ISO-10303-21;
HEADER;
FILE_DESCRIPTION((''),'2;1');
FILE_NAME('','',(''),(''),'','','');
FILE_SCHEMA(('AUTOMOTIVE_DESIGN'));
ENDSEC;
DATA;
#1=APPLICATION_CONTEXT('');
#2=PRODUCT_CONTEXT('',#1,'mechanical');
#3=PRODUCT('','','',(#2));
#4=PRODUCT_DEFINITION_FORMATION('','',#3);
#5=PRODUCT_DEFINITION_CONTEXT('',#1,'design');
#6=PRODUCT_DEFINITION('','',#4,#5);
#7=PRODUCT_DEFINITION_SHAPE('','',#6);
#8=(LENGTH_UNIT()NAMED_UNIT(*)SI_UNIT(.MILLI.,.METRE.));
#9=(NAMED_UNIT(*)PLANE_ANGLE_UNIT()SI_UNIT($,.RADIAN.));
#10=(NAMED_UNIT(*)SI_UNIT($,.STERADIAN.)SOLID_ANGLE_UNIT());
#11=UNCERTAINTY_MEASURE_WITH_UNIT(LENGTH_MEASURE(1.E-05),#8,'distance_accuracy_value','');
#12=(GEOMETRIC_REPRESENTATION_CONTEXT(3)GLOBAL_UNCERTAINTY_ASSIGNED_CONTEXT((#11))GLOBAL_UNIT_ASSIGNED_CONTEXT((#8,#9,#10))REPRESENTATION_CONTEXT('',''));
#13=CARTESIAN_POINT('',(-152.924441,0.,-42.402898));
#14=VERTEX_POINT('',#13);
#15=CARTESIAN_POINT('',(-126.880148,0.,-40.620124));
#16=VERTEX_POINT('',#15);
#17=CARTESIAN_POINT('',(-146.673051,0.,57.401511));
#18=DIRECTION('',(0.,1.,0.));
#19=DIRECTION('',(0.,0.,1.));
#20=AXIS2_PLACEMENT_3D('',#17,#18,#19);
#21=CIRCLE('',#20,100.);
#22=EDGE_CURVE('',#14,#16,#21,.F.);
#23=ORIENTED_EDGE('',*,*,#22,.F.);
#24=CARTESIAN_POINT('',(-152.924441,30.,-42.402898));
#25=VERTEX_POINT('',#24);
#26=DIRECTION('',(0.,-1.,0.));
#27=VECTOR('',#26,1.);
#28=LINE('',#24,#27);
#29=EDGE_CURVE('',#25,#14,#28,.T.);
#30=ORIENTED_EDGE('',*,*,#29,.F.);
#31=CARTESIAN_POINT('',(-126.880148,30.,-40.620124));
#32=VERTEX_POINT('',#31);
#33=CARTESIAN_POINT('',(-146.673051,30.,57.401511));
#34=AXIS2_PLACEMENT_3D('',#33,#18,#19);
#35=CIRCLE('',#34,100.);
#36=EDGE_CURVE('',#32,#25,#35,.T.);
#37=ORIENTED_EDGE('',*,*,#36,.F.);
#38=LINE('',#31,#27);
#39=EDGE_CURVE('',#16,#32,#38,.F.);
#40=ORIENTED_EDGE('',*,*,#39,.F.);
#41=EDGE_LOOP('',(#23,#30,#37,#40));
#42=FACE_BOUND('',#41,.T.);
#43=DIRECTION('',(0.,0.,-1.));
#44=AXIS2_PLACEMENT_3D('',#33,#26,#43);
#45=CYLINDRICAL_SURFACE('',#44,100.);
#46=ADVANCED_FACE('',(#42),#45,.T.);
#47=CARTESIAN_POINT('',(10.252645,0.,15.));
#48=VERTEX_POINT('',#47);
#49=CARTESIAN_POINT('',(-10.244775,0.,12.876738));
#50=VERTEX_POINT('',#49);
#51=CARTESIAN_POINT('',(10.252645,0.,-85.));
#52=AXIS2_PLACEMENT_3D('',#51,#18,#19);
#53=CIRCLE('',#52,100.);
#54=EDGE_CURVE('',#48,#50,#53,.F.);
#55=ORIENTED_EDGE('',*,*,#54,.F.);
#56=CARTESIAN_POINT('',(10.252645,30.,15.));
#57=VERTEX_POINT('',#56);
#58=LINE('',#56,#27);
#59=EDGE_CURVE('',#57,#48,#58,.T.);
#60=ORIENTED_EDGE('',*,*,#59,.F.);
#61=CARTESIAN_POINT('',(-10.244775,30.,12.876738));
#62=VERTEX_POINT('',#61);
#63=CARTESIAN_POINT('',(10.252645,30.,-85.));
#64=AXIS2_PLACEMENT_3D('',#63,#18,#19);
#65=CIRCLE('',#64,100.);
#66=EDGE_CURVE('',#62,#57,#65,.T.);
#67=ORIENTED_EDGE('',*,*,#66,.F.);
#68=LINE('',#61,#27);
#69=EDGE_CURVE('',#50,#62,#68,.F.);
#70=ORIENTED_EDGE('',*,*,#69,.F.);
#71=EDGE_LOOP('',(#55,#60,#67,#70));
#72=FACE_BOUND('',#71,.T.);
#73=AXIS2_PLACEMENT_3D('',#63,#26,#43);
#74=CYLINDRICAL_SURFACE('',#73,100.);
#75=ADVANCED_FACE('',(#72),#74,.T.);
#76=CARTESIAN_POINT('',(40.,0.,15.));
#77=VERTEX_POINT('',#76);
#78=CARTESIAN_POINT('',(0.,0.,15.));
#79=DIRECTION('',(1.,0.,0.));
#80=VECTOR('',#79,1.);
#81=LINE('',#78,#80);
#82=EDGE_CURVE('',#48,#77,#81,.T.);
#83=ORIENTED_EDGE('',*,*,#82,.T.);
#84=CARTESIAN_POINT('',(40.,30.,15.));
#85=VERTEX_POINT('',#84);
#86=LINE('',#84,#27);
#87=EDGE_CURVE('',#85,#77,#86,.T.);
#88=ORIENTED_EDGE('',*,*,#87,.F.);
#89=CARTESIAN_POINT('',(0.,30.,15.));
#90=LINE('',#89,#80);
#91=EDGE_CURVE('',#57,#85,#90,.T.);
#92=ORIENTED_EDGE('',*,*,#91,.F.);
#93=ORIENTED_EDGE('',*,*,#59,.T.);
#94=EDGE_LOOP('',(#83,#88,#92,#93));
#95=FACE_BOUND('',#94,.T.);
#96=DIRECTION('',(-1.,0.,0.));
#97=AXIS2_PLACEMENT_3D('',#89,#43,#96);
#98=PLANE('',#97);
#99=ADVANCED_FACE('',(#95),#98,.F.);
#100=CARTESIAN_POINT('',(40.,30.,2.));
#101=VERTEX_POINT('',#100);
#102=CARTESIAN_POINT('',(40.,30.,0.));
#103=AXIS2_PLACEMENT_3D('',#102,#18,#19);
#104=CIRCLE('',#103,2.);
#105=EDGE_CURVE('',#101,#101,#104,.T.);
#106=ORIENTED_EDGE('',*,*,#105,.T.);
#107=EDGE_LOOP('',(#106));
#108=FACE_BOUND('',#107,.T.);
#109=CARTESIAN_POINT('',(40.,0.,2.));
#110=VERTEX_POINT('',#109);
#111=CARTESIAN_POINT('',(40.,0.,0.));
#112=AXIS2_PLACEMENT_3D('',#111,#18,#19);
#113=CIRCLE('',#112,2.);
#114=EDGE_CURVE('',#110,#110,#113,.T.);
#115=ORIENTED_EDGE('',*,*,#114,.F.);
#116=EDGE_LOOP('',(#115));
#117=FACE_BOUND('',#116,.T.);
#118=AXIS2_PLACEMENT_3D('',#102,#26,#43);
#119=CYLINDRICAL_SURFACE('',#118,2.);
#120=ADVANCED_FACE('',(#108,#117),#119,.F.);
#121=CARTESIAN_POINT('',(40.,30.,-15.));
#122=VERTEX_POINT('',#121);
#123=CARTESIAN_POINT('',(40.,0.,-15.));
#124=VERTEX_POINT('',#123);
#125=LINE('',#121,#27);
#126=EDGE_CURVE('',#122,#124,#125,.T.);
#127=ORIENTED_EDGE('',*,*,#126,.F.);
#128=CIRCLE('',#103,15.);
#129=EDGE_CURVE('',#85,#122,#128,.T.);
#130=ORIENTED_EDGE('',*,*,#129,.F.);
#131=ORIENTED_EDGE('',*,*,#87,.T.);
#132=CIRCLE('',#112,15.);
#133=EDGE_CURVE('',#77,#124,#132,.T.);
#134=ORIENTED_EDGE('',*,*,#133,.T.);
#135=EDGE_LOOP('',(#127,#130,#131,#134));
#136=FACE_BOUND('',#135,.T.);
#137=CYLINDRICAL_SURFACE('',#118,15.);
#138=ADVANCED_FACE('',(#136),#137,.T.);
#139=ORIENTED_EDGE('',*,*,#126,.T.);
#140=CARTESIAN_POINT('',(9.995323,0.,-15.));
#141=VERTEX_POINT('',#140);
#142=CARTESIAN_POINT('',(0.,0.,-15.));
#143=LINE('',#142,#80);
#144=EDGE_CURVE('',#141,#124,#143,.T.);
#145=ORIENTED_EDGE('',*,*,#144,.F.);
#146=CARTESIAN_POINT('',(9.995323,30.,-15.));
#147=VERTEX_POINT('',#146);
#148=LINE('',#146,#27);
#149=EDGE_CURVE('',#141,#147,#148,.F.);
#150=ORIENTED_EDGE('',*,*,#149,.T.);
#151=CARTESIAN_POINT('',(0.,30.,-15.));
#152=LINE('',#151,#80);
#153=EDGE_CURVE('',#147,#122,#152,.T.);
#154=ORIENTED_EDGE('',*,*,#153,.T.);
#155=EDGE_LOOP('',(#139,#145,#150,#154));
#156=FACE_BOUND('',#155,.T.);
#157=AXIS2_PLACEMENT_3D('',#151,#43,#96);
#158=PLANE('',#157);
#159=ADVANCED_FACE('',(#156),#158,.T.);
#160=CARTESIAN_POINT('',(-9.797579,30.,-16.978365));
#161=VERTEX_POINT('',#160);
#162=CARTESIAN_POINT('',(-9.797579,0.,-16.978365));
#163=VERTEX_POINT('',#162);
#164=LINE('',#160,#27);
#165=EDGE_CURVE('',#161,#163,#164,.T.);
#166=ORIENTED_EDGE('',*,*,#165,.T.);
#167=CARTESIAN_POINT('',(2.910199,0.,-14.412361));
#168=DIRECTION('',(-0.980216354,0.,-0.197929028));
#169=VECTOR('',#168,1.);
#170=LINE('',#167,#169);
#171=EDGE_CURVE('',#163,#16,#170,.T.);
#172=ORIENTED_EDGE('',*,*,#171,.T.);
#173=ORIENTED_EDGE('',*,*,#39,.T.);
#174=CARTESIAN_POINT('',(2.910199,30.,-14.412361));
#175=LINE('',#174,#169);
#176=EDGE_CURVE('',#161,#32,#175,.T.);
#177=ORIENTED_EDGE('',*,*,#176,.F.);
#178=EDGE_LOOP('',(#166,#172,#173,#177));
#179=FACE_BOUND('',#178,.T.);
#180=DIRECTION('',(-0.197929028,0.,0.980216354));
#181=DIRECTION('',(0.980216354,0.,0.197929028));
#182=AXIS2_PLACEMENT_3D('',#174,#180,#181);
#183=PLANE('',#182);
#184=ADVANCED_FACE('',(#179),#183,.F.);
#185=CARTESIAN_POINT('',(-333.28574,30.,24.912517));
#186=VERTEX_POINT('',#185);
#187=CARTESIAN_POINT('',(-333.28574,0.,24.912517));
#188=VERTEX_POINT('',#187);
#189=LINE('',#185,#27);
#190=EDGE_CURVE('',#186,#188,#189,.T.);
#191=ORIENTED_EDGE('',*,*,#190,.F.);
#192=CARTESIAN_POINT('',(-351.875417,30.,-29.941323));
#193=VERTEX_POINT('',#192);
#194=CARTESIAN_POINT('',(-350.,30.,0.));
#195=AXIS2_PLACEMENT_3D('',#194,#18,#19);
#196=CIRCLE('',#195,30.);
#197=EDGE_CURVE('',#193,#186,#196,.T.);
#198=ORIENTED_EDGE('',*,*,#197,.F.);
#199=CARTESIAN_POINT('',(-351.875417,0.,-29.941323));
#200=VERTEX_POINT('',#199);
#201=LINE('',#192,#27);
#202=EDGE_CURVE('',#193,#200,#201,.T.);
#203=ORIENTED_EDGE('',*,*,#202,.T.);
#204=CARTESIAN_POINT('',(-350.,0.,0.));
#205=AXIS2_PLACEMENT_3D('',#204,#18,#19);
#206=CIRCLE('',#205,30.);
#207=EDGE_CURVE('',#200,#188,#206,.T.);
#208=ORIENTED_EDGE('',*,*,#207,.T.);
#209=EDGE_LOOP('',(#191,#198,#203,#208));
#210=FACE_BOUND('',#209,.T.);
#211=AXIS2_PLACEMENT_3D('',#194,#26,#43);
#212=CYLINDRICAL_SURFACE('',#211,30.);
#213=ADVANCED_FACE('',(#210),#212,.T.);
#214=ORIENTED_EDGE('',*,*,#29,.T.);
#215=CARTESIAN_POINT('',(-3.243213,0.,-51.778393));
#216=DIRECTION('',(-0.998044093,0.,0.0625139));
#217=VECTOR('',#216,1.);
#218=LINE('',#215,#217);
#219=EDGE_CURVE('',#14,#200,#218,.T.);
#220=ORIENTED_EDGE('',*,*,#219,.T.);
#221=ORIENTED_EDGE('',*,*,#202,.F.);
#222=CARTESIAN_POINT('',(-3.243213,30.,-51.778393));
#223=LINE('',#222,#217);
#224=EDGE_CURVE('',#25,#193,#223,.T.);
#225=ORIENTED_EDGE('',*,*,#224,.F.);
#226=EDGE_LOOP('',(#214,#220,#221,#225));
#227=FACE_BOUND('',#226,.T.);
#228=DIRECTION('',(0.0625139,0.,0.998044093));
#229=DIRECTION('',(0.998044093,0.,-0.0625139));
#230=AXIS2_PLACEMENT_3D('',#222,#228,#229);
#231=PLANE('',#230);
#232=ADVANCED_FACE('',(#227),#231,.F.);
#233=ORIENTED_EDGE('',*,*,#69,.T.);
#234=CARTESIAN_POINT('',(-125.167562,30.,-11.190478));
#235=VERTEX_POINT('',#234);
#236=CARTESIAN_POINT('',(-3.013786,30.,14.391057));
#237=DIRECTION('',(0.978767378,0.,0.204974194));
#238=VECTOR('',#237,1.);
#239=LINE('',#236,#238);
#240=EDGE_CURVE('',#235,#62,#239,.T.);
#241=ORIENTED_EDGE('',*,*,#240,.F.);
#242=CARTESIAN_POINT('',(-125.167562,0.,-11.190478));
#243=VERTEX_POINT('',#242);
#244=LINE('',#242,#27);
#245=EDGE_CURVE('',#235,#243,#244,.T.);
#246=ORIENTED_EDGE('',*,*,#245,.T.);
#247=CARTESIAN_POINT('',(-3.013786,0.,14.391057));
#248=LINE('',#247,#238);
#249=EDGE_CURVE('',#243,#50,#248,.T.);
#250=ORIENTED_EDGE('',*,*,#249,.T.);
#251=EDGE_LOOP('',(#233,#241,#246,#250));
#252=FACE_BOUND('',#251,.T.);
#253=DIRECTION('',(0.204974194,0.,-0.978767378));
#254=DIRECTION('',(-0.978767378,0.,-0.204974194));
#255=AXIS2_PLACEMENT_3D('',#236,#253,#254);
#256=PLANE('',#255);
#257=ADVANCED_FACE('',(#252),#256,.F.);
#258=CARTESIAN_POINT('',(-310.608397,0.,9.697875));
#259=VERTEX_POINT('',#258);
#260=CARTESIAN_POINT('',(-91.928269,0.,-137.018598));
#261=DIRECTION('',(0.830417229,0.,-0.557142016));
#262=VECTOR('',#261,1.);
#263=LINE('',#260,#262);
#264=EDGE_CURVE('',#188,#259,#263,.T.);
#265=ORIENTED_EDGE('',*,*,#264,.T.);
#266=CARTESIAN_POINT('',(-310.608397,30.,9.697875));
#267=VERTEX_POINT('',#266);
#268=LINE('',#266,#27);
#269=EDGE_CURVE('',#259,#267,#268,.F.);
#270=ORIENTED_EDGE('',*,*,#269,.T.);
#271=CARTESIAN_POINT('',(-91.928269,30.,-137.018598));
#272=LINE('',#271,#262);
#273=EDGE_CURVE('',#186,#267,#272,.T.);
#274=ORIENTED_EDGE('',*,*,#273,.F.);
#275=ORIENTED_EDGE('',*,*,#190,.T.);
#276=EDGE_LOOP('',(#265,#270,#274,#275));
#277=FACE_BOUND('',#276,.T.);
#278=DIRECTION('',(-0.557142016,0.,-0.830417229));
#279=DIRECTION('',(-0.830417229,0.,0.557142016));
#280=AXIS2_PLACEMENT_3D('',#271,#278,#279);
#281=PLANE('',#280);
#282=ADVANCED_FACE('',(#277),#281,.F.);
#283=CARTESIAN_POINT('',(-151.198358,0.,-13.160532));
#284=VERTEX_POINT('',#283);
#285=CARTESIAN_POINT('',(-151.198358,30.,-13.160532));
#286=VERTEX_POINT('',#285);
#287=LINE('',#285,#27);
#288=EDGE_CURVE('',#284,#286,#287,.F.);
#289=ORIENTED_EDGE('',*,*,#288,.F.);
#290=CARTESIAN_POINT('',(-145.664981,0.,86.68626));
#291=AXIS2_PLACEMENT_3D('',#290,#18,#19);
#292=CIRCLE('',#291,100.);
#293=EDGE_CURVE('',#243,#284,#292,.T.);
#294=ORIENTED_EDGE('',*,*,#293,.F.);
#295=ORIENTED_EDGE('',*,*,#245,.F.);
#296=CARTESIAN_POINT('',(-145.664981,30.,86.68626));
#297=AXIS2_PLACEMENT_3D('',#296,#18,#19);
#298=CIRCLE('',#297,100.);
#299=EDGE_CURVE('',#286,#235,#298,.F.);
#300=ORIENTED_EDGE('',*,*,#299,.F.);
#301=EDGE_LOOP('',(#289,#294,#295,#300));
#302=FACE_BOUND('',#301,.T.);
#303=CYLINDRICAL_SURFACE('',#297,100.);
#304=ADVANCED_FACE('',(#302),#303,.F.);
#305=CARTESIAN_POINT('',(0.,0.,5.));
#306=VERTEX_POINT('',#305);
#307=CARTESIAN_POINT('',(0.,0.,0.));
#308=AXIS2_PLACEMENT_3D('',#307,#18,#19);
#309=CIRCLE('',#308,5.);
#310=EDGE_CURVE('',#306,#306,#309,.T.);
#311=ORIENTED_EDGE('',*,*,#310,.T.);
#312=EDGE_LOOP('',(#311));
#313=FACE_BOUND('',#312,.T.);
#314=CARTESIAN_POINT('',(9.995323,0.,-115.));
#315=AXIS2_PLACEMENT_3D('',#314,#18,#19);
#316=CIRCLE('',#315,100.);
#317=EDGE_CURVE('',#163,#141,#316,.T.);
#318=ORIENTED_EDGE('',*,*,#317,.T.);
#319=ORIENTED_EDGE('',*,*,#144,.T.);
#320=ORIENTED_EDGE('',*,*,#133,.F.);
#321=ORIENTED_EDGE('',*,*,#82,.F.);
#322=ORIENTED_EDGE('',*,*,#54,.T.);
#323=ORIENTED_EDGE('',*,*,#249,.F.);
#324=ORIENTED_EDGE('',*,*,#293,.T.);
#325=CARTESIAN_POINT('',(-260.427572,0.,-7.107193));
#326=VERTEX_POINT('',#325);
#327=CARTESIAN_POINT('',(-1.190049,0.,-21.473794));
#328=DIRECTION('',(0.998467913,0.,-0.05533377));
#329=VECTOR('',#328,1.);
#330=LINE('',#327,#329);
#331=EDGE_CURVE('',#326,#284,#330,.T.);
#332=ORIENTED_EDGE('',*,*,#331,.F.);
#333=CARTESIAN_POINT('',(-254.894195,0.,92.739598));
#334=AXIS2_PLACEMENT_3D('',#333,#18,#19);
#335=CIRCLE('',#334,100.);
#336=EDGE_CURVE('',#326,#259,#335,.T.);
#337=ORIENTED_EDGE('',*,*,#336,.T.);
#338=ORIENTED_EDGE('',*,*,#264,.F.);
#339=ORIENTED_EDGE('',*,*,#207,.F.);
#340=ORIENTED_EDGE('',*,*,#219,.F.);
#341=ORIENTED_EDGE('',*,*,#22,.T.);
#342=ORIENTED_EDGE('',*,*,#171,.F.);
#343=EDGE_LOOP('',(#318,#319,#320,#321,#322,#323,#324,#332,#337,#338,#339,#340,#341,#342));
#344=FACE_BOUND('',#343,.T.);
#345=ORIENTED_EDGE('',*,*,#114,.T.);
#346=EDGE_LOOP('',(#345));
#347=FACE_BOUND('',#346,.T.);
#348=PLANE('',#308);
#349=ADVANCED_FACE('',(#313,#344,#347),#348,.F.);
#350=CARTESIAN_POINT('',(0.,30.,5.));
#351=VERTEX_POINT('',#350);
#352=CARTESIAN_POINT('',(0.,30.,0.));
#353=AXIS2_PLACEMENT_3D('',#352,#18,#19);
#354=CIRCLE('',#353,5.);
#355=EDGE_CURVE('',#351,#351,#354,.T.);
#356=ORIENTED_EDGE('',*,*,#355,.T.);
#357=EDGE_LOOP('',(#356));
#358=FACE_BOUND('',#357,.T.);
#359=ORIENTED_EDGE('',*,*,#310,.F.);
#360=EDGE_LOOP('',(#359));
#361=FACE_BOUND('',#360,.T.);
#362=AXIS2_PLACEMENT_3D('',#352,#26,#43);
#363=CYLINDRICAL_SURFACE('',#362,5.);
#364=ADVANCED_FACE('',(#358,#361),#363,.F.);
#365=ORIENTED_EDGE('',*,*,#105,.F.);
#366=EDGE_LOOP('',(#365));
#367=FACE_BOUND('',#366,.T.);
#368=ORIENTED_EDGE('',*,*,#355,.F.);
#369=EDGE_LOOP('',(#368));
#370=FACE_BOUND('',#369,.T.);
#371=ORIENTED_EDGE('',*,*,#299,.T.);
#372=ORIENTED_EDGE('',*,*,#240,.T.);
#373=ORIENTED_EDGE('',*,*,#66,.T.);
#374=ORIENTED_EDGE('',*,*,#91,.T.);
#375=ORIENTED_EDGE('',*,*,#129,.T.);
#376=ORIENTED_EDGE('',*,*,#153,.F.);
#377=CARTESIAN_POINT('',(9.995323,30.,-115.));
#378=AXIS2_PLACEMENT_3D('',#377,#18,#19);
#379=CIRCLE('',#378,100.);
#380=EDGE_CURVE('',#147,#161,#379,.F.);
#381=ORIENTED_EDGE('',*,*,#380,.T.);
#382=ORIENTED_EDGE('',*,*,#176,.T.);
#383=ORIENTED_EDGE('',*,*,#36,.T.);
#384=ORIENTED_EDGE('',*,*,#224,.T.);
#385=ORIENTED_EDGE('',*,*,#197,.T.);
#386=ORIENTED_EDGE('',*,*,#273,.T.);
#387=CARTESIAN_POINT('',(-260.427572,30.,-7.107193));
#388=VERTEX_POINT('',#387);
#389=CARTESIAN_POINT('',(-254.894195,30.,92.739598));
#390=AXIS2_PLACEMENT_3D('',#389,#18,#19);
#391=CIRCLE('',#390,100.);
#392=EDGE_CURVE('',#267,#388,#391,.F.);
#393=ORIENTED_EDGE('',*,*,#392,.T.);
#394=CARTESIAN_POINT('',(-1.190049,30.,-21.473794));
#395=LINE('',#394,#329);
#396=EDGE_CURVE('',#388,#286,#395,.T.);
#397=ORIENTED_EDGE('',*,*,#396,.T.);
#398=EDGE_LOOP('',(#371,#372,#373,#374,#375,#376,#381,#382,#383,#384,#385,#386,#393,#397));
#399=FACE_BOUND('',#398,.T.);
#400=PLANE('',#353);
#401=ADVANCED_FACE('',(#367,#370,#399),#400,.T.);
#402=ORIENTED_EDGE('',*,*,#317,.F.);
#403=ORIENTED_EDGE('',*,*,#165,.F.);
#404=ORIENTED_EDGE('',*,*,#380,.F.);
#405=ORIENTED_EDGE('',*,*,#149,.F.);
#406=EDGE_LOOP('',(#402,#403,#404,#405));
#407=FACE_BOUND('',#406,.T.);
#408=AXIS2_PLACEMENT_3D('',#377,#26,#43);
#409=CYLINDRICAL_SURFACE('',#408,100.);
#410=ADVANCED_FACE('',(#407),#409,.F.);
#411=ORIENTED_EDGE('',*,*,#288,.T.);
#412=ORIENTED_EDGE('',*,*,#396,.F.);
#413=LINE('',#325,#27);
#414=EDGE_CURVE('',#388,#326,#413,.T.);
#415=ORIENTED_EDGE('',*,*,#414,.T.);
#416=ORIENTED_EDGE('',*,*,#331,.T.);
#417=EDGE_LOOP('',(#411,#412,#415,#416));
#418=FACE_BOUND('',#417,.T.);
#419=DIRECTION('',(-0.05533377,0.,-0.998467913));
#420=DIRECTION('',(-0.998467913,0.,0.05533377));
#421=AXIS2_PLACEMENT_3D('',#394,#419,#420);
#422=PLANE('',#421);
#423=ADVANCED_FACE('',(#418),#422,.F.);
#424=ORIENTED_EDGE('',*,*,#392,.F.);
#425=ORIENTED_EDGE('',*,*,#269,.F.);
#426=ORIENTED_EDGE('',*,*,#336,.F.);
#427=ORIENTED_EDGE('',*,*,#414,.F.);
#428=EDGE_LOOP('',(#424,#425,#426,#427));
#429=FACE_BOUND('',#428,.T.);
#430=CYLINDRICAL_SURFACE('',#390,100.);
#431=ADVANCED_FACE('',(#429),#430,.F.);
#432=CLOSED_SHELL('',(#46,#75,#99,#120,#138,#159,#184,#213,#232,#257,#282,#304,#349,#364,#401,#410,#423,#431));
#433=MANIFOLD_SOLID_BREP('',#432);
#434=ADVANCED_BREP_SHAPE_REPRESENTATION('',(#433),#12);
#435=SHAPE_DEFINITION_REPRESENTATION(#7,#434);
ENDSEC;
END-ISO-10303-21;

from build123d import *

# Parameters (mm, degrees)
SKETCH1_R           = 5
SKETCH1_R_2         = 2
BOSS_EXTRUDE1_DEPTH = 30
FILLET1_R           = 100


with BuildPart() as part:
    # Sketch1 → Boss-Extrude1 (new body)
    with BuildSketch(Plane(origin=(0, 0, 0), x_dir=(1, 0, 0), z_dir=(0, 1, 0))):
        with BuildLine():
            Line((0, 15), (-139.784941349, 43.225909045))
            Line((-139.784941349, 43.225909045), (-351.875415017, 29.941322925))
            ThreePointArc((-351.875415017, 29.941322925), (-378.412739548, -9.628926804), (-333.285739517, -24.912516864))
            Line((-333.285739517, -24.912516864), (-287.823465989, 5.588948968))
            Line((-287.823465989, 5.588948968), (-138.053278996, 13.889014505))
            Line((-138.053278996, 13.889014505), (-5.919683, -13.782501703))
            Line((-5.919683, -13.782501703), (0, -15))
            Line((0, -15), (40, -15))
            ThreePointArc((40, -15), (55, 0), (40, 15))
            Line((40, 15), (0, 15))
        make_face()
        with Locations(Location((0, 0, 0), (0, 0, 270))):
            Circle(SKETCH1_R, mode=Mode.SUBTRACT)
        with Locations(Location((40, 0, 0), (0, 0, 270))):
            Circle(SKETCH1_R_2, mode=Mode.SUBTRACT)
    extrude(amount=BOSS_EXTRUDE1_DEPTH)

    # Fillet1
    fillet1_edges = [part.edges().sort_by_distance(p)[0] for p in [
        (0, 15, -15),
        (-139.784941349, 15, -43.225909045),
        (-138.053278996, 15, -13.889014505),
        (-287.823465989, 15, -5.588948968),
        (0, 15, 15),
    ]]
    fillet(fillet1_edges, radius=FILLET1_R)


solid = part.part
